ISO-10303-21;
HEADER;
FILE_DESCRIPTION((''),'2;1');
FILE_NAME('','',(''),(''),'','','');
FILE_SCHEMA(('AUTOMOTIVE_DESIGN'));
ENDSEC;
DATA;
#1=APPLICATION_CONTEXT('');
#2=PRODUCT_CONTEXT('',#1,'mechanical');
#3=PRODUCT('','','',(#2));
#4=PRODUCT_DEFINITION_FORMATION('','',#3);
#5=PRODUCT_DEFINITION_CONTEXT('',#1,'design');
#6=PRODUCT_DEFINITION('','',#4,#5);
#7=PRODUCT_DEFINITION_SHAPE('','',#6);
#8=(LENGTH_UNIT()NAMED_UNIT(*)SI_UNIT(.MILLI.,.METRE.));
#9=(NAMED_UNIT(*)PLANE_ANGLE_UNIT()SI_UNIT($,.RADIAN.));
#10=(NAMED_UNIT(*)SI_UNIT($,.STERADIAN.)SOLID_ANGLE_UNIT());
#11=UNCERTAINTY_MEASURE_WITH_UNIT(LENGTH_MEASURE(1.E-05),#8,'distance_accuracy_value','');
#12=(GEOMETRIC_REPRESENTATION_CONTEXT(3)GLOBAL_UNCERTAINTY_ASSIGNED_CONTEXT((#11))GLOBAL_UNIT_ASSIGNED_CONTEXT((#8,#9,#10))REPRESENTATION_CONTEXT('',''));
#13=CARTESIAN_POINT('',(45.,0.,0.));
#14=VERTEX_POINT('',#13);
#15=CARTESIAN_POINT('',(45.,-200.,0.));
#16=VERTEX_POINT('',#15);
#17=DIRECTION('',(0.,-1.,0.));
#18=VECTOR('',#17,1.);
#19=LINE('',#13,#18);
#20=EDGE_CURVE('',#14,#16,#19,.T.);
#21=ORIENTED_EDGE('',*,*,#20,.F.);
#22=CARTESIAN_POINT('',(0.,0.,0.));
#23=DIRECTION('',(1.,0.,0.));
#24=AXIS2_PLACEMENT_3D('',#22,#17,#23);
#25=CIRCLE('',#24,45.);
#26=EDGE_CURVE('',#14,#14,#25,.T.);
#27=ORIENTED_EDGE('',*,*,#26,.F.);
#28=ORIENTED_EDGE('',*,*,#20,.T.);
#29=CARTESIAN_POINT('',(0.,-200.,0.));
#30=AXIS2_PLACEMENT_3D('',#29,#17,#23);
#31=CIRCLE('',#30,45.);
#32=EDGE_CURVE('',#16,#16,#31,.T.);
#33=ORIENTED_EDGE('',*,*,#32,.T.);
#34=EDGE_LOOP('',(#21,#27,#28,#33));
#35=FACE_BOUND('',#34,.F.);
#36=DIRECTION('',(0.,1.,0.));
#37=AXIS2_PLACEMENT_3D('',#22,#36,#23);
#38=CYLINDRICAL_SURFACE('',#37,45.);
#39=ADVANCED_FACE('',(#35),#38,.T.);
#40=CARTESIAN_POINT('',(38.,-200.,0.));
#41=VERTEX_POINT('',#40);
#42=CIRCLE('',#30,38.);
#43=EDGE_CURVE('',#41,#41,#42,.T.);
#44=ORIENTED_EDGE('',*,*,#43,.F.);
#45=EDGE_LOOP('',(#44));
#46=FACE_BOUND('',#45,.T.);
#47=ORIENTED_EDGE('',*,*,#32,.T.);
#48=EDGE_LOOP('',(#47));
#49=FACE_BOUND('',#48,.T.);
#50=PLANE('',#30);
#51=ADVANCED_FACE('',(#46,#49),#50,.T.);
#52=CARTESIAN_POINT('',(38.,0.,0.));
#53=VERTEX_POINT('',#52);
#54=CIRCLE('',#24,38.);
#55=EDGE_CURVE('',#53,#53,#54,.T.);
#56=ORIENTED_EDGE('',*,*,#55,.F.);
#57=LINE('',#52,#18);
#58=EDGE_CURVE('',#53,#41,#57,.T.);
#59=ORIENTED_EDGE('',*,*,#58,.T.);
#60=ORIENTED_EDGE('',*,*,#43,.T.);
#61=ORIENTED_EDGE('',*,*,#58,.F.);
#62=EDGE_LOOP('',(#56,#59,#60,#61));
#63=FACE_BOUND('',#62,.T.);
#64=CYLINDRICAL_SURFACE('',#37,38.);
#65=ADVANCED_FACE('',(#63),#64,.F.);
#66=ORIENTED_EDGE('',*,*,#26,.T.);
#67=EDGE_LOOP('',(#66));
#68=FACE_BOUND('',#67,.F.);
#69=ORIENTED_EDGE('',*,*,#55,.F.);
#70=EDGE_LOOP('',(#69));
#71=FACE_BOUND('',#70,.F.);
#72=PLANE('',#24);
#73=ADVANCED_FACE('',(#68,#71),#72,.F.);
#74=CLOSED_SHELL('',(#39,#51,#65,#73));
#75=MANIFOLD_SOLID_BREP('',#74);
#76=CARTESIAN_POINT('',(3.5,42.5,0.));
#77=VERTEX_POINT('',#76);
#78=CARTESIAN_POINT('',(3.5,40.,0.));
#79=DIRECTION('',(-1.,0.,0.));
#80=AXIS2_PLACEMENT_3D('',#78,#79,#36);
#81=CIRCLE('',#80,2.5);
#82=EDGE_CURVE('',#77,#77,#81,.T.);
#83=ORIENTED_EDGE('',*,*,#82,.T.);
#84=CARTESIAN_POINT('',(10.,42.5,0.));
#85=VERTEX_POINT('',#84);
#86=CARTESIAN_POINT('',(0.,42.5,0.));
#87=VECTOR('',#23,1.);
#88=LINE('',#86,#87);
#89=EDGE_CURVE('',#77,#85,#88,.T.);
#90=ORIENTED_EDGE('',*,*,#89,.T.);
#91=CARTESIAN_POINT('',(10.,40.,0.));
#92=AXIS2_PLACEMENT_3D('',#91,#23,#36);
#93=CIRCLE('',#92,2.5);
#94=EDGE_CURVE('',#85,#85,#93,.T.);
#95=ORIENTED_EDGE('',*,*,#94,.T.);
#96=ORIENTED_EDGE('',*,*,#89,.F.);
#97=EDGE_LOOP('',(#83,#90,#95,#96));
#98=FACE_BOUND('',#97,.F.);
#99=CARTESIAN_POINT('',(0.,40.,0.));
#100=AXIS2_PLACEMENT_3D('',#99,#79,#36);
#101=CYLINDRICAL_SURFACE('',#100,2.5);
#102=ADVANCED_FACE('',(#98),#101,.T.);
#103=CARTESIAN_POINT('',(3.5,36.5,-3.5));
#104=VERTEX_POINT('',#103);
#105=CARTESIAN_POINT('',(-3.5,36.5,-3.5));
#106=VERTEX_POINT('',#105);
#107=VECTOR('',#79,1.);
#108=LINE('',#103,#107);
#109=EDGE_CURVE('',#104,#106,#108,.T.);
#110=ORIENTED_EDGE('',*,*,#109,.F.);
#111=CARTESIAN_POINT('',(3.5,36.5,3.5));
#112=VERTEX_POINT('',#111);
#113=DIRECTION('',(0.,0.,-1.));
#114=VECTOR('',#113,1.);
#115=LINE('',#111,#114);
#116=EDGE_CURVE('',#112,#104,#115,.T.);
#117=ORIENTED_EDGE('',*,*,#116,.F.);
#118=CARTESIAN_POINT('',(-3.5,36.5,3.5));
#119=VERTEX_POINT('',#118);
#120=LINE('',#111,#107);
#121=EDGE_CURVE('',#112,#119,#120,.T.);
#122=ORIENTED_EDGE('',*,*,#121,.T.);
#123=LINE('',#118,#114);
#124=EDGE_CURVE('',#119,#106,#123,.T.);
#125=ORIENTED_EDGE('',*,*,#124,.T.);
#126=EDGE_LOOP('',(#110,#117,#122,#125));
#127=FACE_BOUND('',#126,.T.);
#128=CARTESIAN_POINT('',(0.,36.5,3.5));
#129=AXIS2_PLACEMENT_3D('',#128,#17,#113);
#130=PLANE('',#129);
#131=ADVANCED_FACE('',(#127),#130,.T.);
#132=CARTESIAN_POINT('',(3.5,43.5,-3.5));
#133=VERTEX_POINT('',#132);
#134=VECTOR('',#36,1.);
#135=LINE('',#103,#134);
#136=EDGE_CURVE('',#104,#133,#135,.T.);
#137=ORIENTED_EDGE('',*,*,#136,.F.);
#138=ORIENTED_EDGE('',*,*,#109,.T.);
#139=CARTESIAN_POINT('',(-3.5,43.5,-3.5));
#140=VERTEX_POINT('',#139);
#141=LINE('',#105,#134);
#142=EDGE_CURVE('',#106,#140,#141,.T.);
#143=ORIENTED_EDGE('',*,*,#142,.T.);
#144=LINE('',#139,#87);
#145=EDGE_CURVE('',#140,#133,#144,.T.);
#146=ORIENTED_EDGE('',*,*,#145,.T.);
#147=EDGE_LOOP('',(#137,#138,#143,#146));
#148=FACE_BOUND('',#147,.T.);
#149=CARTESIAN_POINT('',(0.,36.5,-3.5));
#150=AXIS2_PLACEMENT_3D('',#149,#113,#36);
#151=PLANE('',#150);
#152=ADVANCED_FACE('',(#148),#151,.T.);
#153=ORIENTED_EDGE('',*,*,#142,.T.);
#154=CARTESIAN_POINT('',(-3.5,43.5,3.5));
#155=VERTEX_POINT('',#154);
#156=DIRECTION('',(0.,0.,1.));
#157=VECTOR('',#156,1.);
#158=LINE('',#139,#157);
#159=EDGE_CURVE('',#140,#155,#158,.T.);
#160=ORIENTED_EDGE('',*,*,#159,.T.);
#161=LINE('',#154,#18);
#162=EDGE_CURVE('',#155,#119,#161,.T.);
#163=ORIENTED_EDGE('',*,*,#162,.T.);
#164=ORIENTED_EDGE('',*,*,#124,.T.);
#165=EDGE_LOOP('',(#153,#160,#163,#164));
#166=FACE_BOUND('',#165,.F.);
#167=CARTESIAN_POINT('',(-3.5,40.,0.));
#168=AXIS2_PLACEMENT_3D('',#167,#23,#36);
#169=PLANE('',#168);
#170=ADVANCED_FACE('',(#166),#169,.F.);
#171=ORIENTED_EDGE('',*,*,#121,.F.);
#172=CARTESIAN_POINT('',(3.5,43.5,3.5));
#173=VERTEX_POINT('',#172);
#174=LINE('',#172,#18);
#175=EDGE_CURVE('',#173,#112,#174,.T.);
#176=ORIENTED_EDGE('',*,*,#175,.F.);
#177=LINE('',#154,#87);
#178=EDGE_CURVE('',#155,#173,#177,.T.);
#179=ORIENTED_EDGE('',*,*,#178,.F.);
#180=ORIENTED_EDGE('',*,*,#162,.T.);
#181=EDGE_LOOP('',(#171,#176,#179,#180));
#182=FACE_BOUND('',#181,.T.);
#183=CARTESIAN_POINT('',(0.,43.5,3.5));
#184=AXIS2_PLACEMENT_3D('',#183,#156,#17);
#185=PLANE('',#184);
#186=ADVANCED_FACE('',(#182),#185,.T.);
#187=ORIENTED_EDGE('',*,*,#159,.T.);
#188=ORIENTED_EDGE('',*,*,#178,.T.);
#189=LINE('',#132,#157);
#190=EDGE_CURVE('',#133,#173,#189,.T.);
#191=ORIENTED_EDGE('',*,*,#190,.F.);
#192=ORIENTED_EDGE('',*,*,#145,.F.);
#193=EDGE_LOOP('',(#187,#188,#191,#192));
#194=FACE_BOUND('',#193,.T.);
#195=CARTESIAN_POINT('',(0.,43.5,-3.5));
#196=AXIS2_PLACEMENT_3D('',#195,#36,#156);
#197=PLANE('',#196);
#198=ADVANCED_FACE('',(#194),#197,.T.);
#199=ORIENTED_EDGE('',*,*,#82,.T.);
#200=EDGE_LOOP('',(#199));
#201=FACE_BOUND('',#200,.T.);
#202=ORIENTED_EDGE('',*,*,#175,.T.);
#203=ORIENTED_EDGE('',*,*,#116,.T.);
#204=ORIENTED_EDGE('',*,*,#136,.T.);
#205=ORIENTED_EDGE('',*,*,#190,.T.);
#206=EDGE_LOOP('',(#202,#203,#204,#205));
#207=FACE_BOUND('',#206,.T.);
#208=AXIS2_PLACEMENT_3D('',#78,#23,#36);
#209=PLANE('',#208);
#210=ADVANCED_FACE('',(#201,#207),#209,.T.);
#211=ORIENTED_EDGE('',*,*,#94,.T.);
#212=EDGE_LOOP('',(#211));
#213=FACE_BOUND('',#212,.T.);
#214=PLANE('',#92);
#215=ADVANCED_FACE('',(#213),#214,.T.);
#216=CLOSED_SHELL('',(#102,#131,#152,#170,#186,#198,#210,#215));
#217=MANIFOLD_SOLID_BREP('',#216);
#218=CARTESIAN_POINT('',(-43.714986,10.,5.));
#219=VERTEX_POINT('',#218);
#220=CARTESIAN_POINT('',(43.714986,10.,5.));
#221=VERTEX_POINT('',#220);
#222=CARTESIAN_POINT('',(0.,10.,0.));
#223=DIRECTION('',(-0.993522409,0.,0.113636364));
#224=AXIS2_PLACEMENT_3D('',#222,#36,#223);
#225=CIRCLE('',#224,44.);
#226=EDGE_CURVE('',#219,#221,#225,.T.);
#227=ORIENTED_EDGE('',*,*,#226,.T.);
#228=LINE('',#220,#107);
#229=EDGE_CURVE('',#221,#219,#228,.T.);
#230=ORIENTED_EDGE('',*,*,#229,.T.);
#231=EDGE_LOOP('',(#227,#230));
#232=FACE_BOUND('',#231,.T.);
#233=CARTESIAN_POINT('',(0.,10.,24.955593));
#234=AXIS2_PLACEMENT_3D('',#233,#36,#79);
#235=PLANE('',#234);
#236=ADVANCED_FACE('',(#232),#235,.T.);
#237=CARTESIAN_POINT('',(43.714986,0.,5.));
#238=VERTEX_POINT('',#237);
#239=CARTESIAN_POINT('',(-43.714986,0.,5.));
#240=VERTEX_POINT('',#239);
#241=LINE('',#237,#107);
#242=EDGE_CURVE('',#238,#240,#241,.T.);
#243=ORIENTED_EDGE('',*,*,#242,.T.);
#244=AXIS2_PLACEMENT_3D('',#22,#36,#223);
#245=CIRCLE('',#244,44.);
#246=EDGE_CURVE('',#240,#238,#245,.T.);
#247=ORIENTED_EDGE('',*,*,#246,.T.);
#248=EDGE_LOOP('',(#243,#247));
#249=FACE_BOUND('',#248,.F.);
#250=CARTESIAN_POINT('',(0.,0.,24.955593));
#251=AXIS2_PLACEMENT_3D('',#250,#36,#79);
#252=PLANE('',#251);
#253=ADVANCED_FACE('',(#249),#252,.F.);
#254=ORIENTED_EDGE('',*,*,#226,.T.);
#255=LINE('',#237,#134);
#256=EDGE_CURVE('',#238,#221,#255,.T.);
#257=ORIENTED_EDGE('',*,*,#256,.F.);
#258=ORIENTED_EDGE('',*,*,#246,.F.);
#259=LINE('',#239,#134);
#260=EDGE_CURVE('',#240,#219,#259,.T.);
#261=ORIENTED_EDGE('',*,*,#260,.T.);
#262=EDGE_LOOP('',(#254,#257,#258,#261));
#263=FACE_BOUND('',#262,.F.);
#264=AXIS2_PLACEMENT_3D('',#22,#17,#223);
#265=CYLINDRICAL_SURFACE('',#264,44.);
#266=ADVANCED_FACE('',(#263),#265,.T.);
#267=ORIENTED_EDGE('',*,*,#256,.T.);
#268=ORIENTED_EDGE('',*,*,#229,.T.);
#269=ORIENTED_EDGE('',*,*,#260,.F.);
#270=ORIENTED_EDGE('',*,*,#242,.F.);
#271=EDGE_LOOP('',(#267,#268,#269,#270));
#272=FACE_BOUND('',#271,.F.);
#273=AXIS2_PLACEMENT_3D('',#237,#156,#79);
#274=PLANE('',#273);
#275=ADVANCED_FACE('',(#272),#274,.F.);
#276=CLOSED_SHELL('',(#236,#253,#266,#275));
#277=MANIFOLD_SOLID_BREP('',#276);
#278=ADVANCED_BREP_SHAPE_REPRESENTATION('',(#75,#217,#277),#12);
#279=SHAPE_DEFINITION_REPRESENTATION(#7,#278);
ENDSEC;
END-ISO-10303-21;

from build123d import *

# Parameters (mm, degrees)
F0_R     = 45
F0_R_2   = 38
F1_DEPTH = 200
F3_DEPTH = 10
F5_DEPTH = 10
F7_DEPTH = 3.5


with BuildPart() as f1:
    # F0 (on Front) → F1 (new body)
    with BuildSketch(Plane.XZ):
        Circle(F0_R)
        Circle(F0_R_2, mode=Mode.SUBTRACT)
    extrude(amount=F1_DEPTH)


with BuildPart() as f3:
    # F2 (on Right) → F3 (new body)
    with BuildSketch(Plane.YZ):
        with BuildLine():
            ThreePointArc((37.5, 0), (40, -2.5), (42.5, 0))
            ThreePointArc((42.5, 0), (40, 2.5), (37.5, 0))
        make_face()
    extrude(amount=F3_DEPTH)

    # F6 (on Right) → F7 (join, symmetric)
    with BuildSketch(Plane.YZ):
        Polygon((36.5, 0), (36.5, -3.5), (43.5, -3.5), (43.5, 3.5), (36.5, 3.5), align=None)
    extrude(amount=F7_DEPTH, both=True)


with BuildPart() as f5:
    # F4 (on face) → F5 (new body)
    with BuildSketch(Plane(origin=(0, 0, 0), x_dir=(-1, 0, 0), z_dir=(0, 1, 0))):
        with BuildLine():
            ThreePointArc((-37.669616, 5), (0, 38), (37.669616, 5))
            Line((37.669616, 5), (43.714986, 5))
            ThreePointArc((43.714986, 5), (0, 44), (-43.714986, 5))
            Line((-43.714986, 5), (-37.669616, 5))
        make_face()
        with BuildLine():
            Line((-37.669616, 5), (0, 5))
            Line((0, 5), (37.669616, 5))
            ThreePointArc((37.669616, 5), (0, 38), (-37.669616, 5))
        make_face()
    extrude(amount=F5_DEPTH)


solid = Compound([f1.part, f3.part, f5.part])
